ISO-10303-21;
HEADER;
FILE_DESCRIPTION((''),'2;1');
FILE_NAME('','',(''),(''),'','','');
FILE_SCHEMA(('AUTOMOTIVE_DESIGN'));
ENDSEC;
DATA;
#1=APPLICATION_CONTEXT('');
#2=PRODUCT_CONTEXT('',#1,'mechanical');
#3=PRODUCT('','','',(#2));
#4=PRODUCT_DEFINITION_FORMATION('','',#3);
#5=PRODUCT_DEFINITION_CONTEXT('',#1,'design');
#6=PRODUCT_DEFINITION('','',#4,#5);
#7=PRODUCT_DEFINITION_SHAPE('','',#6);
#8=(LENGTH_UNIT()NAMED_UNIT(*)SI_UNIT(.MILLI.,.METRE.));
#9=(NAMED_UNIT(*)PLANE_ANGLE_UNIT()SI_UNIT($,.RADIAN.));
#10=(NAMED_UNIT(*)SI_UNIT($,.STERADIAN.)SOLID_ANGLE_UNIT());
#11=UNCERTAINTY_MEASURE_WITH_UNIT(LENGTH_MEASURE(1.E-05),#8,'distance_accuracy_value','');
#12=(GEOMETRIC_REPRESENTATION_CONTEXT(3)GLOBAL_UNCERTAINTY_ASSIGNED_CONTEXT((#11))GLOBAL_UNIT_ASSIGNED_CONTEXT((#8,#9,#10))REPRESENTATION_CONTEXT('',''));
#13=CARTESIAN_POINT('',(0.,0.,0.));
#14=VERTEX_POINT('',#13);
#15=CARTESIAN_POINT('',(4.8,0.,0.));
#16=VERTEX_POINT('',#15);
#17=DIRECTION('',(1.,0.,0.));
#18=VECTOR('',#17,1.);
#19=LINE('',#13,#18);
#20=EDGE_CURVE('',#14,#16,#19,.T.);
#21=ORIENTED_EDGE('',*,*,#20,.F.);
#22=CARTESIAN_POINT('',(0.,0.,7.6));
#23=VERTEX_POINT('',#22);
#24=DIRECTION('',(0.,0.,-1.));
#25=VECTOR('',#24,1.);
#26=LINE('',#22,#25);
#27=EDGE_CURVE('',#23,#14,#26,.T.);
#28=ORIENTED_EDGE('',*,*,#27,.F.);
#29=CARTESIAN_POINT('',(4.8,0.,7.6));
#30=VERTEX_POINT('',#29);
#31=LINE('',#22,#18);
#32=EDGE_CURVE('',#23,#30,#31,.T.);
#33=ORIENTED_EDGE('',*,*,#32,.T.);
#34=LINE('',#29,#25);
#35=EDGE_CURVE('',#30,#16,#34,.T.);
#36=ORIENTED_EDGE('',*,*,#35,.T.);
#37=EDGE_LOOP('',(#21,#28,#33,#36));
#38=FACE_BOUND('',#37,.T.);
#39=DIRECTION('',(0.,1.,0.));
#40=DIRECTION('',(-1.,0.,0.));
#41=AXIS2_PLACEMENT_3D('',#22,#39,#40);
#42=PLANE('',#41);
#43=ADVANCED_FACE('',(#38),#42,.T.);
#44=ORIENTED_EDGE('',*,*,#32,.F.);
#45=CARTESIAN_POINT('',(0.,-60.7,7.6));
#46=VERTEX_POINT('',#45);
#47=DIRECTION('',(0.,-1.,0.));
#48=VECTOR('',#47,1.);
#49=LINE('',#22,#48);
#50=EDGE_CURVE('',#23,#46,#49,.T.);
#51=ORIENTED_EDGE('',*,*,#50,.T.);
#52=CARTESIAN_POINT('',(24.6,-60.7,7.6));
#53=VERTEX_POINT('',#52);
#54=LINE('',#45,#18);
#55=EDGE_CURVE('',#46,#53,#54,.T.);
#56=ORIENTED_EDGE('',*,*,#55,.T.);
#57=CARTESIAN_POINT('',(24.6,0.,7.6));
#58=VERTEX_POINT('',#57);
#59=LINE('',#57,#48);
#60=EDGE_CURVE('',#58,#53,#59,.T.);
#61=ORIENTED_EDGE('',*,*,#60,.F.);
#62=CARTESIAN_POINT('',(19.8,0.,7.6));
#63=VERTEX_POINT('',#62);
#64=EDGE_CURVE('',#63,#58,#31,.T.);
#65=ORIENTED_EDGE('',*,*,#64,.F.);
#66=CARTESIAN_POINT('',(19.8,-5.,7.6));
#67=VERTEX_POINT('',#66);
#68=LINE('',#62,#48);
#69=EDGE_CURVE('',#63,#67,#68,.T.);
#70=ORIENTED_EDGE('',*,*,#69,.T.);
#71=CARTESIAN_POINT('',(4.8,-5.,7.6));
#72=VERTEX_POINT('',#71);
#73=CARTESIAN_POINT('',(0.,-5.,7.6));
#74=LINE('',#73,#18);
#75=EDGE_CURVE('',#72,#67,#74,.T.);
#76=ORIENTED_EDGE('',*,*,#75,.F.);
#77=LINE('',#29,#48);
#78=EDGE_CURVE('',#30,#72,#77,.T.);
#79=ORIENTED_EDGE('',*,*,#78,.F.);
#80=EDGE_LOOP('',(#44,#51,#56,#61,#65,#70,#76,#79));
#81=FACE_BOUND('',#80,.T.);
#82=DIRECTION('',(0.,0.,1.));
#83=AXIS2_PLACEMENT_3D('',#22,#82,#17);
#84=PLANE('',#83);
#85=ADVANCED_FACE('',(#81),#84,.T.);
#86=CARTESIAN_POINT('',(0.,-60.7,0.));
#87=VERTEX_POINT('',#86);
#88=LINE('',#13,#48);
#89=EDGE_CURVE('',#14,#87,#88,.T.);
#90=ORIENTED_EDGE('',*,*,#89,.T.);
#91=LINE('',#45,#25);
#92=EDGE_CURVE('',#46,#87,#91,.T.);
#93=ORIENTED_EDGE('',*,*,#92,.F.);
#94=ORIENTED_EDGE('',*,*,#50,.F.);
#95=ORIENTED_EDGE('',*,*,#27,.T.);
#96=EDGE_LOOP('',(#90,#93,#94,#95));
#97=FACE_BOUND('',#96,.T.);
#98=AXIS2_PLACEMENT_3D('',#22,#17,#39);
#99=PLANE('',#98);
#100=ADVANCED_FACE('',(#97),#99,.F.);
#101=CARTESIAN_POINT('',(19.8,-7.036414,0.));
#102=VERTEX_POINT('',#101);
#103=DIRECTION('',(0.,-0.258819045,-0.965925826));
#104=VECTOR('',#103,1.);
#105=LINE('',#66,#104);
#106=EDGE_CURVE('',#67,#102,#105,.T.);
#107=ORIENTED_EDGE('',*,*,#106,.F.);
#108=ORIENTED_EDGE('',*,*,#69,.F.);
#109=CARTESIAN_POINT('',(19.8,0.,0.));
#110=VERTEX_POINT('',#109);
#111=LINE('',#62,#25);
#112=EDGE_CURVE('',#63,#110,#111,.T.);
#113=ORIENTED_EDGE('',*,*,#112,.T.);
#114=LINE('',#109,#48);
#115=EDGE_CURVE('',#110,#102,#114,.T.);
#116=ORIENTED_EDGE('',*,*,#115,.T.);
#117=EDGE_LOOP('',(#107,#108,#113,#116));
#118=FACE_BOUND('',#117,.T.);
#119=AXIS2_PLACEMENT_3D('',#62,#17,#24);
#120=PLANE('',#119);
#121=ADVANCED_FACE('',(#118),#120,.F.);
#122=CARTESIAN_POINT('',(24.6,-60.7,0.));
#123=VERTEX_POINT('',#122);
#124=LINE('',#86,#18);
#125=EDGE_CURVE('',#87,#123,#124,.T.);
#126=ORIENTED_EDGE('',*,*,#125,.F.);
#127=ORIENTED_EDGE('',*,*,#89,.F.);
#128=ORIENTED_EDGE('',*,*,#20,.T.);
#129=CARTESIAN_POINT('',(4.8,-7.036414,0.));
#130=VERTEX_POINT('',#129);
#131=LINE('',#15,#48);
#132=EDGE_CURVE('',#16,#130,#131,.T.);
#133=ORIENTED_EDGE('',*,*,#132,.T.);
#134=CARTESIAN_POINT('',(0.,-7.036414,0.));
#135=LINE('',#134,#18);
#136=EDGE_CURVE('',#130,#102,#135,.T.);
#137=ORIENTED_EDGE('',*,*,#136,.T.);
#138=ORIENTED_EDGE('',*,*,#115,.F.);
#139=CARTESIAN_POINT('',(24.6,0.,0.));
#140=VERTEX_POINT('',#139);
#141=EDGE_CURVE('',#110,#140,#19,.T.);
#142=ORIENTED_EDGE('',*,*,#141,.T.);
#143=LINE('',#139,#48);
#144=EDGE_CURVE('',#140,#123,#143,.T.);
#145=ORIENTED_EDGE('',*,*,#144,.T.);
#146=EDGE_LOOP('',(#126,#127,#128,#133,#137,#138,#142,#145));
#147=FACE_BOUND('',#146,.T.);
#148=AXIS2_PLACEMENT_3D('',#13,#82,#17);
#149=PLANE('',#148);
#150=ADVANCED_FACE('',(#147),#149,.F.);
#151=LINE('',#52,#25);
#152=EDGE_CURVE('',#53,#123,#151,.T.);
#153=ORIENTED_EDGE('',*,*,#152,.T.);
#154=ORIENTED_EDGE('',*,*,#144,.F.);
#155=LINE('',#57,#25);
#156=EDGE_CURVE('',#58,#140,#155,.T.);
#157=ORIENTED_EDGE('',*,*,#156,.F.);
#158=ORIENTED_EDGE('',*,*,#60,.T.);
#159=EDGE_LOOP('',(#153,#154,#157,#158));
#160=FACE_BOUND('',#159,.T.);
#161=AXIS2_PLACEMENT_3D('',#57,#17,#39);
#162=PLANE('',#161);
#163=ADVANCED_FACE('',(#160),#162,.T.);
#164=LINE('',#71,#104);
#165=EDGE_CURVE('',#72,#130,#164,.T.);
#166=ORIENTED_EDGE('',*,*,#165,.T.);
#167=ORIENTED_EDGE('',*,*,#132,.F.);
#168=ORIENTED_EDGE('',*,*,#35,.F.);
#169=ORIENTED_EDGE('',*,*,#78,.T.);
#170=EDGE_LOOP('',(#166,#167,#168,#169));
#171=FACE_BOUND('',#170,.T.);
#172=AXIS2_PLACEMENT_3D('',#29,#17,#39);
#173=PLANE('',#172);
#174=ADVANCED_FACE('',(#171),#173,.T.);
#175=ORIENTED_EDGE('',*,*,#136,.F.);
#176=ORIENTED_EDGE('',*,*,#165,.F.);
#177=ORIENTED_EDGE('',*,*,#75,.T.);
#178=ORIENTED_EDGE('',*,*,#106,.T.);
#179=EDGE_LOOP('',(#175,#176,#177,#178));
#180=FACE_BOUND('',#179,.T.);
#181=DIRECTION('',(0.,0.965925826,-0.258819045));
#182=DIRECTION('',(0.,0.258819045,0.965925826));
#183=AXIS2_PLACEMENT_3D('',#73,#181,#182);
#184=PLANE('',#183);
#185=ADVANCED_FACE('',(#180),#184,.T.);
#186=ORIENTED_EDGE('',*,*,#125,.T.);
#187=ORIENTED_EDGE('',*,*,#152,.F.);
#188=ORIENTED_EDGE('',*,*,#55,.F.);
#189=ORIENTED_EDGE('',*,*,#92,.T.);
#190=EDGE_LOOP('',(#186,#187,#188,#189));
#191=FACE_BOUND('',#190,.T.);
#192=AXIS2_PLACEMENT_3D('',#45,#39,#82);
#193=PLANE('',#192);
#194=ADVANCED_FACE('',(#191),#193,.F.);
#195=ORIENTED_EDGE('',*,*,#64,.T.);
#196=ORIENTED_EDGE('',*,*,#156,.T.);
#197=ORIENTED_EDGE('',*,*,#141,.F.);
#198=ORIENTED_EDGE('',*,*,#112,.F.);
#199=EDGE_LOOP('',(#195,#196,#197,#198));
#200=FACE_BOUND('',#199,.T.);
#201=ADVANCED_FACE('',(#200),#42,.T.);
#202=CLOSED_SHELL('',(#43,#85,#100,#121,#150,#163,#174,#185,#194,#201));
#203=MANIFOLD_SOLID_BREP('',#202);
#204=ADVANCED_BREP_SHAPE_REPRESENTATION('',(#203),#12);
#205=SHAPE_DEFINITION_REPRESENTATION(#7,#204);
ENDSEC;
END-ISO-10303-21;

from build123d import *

# Parameters (mm, degrees)
EXTRUDE_1_DEPTH = 7.6
DRAFT_5_ANGLE   = -15


with BuildPart() as part:
    # 草图1 → 凸台-拉伸1 (new body)
    with BuildSketch(Plane.XY):
        Polygon((4.8, 0), (0, 0), (0, -60.7), (24.6, -60.7), (24.6, 0), (19.8, 0), (19.8, -5), (4.8, -5), align=None)
    extrude(amount=EXTRUDE_1_DEPTH)

    # 拔模5
    draft_5_faces = [part.faces().sort_by_distance(p)[0] for p in [
        (12.3, -5, 3.8),
    ]]
    draft(draft_5_faces, Plane.XY.offset(7.6), DRAFT_5_ANGLE)


solid = part.part
